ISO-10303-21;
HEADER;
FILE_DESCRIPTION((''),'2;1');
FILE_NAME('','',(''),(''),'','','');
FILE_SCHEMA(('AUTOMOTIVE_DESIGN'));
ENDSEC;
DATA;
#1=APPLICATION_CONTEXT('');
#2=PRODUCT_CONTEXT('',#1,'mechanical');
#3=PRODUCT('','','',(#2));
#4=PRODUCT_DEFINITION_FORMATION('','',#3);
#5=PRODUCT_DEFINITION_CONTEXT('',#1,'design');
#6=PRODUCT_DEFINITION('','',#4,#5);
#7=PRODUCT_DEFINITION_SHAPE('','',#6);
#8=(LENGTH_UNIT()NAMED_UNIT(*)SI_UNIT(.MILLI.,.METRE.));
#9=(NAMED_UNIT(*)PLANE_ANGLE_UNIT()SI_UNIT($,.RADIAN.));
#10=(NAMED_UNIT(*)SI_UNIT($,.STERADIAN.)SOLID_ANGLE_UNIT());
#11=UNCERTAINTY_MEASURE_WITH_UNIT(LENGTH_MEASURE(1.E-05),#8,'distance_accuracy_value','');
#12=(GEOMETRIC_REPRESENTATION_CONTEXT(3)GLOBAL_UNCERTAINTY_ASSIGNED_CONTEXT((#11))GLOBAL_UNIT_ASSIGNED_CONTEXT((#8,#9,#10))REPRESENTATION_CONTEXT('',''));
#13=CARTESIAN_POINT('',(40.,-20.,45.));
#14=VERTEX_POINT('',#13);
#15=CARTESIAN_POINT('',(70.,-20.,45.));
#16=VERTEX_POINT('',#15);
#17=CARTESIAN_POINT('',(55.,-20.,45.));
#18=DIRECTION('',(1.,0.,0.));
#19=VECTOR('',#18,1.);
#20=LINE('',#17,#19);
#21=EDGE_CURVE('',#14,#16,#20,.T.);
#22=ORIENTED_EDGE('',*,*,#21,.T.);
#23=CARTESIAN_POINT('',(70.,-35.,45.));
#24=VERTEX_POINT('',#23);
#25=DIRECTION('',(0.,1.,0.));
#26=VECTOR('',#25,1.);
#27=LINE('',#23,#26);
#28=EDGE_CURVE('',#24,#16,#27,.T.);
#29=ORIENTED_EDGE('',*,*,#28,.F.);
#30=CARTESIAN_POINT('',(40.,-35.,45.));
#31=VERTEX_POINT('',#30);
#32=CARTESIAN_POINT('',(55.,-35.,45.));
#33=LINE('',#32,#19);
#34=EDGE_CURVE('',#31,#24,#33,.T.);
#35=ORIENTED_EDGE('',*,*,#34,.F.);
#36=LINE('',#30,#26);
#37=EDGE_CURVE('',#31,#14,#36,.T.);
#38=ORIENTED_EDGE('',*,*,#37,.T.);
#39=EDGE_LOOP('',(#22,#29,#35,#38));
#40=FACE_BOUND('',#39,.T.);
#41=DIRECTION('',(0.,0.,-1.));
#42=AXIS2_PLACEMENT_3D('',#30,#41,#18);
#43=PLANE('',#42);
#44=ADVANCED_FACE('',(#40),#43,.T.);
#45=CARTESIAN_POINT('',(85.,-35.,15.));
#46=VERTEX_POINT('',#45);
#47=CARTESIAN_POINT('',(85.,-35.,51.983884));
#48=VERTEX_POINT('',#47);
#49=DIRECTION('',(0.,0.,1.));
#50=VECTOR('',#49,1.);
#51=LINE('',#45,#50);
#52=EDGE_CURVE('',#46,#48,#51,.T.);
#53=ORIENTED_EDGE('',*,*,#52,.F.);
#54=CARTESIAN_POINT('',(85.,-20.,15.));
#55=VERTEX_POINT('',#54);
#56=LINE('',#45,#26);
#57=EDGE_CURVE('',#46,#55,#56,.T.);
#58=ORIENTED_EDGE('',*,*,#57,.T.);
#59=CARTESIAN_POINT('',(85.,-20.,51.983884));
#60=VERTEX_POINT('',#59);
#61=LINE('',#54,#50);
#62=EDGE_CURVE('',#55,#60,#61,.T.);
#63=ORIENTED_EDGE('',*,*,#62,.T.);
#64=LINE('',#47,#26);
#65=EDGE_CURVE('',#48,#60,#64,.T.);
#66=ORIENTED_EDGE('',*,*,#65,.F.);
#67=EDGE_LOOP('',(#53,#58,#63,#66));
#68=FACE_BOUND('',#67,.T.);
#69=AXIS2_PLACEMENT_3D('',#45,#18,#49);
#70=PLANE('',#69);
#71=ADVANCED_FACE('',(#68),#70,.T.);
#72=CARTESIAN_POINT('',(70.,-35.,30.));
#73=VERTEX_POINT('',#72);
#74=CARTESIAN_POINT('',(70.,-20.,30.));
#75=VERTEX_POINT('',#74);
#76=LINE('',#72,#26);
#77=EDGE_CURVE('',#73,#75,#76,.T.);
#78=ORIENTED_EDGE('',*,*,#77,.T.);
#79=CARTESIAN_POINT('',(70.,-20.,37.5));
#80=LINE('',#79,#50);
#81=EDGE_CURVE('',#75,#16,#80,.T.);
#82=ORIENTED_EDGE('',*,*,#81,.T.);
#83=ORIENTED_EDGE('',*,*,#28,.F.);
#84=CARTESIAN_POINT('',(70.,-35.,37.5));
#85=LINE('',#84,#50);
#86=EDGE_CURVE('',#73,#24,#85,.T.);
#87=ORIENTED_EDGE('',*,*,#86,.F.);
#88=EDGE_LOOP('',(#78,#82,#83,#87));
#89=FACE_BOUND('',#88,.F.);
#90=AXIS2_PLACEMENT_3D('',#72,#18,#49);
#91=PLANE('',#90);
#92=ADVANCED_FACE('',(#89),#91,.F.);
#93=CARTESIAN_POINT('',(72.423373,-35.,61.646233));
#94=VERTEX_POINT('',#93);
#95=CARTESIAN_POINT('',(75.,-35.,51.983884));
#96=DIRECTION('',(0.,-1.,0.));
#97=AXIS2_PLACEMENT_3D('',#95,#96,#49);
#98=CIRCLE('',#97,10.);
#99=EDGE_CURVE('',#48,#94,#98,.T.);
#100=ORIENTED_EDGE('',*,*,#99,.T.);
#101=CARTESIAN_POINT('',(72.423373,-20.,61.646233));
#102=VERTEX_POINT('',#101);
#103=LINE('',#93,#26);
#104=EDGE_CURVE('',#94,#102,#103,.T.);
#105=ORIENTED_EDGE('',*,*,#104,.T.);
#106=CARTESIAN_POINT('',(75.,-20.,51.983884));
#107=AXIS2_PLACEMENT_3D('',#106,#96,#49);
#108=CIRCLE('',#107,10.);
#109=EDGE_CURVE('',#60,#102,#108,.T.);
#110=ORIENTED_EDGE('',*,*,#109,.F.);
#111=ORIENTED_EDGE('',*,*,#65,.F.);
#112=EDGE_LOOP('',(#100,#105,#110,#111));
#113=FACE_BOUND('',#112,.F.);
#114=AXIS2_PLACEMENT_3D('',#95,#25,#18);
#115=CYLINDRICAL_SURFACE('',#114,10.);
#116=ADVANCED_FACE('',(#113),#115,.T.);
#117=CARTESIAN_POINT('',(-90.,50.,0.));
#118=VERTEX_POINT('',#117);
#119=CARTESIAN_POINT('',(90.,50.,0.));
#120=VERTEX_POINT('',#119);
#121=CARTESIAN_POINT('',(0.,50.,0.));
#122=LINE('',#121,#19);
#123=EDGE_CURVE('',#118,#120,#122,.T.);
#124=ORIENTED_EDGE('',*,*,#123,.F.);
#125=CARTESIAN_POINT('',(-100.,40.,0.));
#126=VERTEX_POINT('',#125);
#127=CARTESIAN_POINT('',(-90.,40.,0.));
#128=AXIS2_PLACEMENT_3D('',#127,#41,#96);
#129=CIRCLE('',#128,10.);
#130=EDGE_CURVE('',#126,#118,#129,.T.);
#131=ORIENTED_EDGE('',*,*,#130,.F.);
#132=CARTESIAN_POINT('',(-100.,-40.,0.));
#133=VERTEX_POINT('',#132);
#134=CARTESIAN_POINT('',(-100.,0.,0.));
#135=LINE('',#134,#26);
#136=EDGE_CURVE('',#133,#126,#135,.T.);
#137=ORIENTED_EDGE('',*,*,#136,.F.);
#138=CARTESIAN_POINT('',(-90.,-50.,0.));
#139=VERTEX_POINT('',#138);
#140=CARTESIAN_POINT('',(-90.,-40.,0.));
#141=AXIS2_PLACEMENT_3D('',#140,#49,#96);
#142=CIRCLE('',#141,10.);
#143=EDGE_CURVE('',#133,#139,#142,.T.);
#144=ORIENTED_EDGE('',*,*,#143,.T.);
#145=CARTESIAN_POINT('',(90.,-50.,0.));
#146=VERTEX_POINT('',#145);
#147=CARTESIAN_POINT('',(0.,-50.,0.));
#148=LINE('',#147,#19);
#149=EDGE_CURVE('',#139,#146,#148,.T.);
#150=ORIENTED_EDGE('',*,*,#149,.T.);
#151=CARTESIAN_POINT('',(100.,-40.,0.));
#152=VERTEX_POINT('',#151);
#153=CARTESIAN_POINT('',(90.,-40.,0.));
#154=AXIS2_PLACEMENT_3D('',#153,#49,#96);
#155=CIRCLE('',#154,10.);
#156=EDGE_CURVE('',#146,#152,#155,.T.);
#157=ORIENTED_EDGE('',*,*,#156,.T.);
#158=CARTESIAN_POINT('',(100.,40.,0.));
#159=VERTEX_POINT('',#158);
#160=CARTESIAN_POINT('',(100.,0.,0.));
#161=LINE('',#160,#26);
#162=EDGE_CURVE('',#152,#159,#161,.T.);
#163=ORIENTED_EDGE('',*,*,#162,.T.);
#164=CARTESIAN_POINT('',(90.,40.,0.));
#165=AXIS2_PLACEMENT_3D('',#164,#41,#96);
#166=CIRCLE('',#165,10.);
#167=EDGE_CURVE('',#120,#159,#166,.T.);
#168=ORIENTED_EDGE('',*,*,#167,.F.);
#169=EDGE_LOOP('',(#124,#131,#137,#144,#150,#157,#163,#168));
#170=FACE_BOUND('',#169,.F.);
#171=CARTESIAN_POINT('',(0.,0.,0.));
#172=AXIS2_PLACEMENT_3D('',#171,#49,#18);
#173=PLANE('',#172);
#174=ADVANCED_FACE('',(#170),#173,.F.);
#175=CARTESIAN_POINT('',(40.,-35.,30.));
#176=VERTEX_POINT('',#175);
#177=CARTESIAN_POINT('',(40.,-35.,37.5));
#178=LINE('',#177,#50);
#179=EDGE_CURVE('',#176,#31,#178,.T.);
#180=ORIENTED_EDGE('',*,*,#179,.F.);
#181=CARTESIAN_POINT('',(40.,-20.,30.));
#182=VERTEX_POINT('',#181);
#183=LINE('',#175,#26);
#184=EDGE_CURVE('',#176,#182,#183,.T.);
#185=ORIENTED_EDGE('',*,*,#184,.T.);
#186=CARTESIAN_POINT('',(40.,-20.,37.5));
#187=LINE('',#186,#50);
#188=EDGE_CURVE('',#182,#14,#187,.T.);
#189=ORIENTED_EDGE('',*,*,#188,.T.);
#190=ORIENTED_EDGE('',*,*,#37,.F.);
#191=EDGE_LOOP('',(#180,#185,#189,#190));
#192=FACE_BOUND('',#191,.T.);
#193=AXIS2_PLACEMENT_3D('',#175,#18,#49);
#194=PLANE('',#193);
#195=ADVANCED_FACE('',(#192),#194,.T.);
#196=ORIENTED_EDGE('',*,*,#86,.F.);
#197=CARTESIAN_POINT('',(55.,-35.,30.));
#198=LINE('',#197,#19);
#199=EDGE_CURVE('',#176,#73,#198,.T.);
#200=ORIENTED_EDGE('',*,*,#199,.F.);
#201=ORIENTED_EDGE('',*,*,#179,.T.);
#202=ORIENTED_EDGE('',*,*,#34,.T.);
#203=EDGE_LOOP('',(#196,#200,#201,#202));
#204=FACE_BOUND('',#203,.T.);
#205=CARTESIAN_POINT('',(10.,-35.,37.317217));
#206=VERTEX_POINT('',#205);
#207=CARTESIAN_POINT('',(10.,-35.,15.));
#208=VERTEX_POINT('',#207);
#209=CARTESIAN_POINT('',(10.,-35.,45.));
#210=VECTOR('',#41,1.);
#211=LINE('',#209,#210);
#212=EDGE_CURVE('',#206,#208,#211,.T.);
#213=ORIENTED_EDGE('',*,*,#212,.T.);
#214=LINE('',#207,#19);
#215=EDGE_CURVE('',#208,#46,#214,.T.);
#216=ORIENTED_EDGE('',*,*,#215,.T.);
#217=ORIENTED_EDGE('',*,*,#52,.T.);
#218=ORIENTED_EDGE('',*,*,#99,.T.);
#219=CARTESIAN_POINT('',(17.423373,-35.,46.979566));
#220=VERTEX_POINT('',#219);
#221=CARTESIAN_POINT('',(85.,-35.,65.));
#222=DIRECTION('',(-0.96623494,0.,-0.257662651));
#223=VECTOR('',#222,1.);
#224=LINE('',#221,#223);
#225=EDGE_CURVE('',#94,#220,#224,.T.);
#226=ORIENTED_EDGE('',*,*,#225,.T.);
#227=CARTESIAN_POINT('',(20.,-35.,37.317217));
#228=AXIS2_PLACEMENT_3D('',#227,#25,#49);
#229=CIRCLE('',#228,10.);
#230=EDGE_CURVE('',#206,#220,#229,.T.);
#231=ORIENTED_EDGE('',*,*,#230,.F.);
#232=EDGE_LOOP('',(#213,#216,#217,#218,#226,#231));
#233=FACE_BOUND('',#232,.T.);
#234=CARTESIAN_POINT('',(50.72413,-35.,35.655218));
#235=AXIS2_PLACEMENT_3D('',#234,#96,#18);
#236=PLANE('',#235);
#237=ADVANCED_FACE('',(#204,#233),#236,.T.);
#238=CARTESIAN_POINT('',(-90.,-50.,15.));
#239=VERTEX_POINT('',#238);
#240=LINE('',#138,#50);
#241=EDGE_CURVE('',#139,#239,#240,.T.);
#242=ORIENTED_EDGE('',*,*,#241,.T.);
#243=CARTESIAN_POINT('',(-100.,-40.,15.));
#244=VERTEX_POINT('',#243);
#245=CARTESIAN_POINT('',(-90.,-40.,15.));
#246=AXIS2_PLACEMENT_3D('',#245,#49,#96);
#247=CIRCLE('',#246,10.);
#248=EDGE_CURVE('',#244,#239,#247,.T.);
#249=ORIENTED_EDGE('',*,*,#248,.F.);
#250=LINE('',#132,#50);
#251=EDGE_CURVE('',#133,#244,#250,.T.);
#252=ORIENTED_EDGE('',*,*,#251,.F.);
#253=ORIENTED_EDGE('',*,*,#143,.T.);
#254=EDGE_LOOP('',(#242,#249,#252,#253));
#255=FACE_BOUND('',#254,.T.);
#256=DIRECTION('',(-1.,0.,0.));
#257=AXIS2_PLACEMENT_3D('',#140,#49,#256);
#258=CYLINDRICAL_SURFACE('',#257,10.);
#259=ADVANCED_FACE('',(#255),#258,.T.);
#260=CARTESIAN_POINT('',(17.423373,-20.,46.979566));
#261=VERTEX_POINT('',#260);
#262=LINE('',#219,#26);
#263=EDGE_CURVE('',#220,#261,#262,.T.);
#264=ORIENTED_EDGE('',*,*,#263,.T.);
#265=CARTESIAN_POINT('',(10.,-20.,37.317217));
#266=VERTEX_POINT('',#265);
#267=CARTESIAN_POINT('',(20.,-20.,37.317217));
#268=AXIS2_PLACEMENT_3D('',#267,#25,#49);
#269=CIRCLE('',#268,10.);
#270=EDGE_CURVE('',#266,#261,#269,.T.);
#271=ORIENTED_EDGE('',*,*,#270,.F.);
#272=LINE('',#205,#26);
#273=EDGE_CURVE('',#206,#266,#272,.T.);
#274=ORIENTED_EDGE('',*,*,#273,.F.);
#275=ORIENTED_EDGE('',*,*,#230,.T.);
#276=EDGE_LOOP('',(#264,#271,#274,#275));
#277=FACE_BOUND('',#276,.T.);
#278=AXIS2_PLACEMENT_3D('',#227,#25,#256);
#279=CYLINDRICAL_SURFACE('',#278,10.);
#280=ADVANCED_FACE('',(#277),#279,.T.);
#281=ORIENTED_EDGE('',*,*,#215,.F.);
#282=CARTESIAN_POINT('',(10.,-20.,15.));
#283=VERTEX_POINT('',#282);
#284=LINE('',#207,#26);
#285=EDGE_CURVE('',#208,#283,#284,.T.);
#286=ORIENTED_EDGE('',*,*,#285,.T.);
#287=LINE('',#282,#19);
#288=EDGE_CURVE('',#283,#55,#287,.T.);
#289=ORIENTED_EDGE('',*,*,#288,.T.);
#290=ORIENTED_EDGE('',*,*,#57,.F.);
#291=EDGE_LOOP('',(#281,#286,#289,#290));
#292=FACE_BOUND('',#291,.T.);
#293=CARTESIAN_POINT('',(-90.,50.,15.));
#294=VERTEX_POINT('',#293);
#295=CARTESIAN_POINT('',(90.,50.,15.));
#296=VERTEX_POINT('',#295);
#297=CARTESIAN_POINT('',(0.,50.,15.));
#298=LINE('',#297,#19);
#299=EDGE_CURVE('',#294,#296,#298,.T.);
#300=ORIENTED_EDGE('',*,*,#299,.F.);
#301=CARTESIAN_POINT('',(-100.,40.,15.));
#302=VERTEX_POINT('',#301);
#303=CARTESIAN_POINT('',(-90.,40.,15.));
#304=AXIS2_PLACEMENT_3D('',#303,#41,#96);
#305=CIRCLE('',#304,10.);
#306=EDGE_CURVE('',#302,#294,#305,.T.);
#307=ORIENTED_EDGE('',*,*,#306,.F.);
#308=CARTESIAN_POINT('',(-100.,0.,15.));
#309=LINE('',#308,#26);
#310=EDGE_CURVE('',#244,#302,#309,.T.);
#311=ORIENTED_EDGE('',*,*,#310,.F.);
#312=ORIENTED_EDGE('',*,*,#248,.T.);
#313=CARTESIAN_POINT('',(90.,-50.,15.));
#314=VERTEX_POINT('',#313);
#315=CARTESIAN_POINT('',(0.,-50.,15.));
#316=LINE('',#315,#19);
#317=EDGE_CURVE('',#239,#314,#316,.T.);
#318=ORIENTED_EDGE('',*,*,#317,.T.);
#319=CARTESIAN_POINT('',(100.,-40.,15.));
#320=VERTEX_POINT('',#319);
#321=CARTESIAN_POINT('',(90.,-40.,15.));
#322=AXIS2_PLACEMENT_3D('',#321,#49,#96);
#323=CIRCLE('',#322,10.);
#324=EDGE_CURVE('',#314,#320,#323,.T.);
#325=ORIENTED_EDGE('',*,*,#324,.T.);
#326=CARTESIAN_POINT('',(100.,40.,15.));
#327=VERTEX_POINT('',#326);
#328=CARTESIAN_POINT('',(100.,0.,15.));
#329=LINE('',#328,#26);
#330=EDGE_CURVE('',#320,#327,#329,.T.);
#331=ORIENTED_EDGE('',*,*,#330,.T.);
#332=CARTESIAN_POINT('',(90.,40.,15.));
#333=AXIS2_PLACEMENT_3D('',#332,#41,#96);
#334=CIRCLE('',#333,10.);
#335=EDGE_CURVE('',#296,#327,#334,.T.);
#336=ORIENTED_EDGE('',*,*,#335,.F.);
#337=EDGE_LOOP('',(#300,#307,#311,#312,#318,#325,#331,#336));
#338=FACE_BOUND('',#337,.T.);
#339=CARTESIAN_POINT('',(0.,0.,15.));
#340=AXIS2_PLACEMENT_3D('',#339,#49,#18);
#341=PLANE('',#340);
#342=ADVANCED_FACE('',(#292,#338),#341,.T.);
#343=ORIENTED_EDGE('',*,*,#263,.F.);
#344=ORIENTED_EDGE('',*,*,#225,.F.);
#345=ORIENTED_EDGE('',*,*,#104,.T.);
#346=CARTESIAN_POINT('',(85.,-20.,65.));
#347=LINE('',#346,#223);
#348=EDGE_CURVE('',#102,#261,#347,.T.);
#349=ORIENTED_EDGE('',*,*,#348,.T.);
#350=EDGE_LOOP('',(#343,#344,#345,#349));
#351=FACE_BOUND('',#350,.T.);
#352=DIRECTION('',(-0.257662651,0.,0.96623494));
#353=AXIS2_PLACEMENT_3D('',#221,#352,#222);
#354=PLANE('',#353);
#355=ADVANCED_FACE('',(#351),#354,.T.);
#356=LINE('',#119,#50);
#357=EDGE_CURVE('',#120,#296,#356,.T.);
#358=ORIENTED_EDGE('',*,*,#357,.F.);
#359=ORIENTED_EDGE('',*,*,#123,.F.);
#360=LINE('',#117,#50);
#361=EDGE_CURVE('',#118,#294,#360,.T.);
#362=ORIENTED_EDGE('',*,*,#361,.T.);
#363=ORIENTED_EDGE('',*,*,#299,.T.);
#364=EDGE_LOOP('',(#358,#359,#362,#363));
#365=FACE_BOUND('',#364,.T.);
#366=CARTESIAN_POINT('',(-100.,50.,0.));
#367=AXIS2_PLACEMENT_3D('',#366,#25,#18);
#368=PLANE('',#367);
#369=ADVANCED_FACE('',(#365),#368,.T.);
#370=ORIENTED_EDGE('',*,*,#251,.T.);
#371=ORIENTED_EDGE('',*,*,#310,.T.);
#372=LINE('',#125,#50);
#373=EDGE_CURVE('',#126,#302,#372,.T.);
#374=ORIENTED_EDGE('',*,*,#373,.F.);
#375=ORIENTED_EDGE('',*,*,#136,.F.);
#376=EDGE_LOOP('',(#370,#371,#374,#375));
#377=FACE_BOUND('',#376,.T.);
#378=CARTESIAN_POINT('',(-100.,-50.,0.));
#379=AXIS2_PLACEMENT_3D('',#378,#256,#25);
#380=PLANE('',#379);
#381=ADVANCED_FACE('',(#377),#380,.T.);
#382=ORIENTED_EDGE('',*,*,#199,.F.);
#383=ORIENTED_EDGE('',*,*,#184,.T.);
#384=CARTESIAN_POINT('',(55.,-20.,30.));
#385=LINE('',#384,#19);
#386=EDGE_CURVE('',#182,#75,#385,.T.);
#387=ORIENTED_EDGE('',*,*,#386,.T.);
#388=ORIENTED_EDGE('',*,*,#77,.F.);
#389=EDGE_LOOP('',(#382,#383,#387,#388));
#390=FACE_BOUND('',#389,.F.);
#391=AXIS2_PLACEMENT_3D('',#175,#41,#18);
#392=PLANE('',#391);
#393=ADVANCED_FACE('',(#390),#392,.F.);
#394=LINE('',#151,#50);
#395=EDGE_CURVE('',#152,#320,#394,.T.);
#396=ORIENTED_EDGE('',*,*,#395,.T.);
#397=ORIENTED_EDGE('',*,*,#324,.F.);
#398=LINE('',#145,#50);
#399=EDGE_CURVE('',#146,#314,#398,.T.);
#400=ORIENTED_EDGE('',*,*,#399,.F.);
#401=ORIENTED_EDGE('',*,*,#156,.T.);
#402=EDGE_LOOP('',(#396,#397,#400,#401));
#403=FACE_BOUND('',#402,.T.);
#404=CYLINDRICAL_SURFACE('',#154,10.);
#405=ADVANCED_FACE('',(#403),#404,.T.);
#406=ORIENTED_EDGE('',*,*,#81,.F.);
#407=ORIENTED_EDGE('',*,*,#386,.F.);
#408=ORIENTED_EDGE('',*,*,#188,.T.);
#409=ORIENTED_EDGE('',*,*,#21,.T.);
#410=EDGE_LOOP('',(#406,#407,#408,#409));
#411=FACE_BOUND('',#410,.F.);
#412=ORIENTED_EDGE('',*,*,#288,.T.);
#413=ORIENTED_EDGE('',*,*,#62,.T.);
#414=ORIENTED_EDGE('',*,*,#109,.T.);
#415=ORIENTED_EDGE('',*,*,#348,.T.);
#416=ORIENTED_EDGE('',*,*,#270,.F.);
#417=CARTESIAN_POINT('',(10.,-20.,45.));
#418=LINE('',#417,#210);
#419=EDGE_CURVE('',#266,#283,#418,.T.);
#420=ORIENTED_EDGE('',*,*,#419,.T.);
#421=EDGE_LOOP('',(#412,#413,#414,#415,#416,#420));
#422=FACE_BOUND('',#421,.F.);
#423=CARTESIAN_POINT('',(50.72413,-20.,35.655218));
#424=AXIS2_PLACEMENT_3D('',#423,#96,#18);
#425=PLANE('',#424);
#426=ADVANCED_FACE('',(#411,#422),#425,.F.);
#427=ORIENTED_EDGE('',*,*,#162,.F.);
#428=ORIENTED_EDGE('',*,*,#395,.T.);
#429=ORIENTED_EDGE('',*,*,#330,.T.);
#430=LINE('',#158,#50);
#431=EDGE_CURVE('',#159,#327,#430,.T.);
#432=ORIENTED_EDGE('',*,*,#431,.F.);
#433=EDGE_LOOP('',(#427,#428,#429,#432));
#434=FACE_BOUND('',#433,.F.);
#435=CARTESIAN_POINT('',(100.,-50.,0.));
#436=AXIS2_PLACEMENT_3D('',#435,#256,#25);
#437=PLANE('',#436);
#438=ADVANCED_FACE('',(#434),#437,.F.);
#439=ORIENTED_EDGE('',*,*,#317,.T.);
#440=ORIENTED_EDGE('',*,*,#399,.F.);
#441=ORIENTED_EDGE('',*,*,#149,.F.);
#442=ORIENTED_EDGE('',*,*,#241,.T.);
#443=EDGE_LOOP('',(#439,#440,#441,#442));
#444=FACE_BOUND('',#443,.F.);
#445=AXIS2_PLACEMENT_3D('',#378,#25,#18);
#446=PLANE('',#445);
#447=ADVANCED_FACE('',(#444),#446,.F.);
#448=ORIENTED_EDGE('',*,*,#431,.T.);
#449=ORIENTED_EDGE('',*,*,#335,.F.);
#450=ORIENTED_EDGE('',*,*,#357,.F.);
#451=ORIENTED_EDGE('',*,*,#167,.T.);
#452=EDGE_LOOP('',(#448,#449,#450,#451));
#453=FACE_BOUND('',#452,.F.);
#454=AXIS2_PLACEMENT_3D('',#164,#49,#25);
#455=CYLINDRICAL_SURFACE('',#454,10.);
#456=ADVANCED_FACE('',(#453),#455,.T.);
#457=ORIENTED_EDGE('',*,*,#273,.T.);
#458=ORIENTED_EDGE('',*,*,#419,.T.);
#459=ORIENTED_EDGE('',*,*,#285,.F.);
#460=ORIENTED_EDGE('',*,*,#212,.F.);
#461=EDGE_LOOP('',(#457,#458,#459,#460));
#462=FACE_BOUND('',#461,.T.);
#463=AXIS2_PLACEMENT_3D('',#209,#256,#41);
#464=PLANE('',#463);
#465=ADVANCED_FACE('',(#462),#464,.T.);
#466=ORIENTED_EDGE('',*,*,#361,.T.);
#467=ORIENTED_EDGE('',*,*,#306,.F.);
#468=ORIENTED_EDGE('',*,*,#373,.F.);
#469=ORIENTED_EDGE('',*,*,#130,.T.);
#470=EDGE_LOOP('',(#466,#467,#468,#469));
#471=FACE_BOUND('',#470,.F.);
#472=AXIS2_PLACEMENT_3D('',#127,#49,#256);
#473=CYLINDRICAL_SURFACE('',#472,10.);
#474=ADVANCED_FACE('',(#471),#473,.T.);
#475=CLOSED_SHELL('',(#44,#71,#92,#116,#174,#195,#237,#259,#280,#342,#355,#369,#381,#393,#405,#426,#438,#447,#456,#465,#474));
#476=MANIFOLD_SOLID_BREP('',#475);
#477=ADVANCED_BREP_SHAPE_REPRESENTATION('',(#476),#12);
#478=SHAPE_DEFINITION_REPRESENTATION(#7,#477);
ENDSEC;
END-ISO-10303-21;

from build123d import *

# Parameters (mm, degrees)
F0_W     = 200
F0_H     = 100
F1_DEPTH = 15
F4_DEPTH = 15
F5_W     = 30
F5_H     = 15
F6_DEPTH = 15
F7_R     = 10


with BuildPart() as f1:
    # F0 (on Top) → F1 (new body)
    with BuildSketch(Plane.XY):
        Rectangle(F0_W, F0_H)
    extrude(amount=F1_DEPTH)

    # F3 (on offset) → F4 (join)
    with BuildSketch(Plane.XZ.offset(35)):
        Polygon((10, 15), (85, 15), (85, 65), (10, 45), align=None)
    extrude(amount=-F4_DEPTH)

    # F5 (on face) → F6 (cut, through all)
    with BuildSketch(Plane.XZ.offset(35)):
        with Locations((55, 37.5)):
            Rectangle(F5_W, F5_H)
    extrude(amount=-F6_DEPTH, mode=Mode.SUBTRACT)

    # F7
    f7_edges = [f1.edges().sort_by_distance(p)[0] for p in [
        (10, -27.5, 45),
        (85, -27.5, 65),
        (100, -50, 7.5),
        (-100, -50, 7.5),
        (-100, 50, 7.5),
        (100, 50, 7.5),
    ]]
    fillet(f7_edges, radius=F7_R)


solid = f1.part
